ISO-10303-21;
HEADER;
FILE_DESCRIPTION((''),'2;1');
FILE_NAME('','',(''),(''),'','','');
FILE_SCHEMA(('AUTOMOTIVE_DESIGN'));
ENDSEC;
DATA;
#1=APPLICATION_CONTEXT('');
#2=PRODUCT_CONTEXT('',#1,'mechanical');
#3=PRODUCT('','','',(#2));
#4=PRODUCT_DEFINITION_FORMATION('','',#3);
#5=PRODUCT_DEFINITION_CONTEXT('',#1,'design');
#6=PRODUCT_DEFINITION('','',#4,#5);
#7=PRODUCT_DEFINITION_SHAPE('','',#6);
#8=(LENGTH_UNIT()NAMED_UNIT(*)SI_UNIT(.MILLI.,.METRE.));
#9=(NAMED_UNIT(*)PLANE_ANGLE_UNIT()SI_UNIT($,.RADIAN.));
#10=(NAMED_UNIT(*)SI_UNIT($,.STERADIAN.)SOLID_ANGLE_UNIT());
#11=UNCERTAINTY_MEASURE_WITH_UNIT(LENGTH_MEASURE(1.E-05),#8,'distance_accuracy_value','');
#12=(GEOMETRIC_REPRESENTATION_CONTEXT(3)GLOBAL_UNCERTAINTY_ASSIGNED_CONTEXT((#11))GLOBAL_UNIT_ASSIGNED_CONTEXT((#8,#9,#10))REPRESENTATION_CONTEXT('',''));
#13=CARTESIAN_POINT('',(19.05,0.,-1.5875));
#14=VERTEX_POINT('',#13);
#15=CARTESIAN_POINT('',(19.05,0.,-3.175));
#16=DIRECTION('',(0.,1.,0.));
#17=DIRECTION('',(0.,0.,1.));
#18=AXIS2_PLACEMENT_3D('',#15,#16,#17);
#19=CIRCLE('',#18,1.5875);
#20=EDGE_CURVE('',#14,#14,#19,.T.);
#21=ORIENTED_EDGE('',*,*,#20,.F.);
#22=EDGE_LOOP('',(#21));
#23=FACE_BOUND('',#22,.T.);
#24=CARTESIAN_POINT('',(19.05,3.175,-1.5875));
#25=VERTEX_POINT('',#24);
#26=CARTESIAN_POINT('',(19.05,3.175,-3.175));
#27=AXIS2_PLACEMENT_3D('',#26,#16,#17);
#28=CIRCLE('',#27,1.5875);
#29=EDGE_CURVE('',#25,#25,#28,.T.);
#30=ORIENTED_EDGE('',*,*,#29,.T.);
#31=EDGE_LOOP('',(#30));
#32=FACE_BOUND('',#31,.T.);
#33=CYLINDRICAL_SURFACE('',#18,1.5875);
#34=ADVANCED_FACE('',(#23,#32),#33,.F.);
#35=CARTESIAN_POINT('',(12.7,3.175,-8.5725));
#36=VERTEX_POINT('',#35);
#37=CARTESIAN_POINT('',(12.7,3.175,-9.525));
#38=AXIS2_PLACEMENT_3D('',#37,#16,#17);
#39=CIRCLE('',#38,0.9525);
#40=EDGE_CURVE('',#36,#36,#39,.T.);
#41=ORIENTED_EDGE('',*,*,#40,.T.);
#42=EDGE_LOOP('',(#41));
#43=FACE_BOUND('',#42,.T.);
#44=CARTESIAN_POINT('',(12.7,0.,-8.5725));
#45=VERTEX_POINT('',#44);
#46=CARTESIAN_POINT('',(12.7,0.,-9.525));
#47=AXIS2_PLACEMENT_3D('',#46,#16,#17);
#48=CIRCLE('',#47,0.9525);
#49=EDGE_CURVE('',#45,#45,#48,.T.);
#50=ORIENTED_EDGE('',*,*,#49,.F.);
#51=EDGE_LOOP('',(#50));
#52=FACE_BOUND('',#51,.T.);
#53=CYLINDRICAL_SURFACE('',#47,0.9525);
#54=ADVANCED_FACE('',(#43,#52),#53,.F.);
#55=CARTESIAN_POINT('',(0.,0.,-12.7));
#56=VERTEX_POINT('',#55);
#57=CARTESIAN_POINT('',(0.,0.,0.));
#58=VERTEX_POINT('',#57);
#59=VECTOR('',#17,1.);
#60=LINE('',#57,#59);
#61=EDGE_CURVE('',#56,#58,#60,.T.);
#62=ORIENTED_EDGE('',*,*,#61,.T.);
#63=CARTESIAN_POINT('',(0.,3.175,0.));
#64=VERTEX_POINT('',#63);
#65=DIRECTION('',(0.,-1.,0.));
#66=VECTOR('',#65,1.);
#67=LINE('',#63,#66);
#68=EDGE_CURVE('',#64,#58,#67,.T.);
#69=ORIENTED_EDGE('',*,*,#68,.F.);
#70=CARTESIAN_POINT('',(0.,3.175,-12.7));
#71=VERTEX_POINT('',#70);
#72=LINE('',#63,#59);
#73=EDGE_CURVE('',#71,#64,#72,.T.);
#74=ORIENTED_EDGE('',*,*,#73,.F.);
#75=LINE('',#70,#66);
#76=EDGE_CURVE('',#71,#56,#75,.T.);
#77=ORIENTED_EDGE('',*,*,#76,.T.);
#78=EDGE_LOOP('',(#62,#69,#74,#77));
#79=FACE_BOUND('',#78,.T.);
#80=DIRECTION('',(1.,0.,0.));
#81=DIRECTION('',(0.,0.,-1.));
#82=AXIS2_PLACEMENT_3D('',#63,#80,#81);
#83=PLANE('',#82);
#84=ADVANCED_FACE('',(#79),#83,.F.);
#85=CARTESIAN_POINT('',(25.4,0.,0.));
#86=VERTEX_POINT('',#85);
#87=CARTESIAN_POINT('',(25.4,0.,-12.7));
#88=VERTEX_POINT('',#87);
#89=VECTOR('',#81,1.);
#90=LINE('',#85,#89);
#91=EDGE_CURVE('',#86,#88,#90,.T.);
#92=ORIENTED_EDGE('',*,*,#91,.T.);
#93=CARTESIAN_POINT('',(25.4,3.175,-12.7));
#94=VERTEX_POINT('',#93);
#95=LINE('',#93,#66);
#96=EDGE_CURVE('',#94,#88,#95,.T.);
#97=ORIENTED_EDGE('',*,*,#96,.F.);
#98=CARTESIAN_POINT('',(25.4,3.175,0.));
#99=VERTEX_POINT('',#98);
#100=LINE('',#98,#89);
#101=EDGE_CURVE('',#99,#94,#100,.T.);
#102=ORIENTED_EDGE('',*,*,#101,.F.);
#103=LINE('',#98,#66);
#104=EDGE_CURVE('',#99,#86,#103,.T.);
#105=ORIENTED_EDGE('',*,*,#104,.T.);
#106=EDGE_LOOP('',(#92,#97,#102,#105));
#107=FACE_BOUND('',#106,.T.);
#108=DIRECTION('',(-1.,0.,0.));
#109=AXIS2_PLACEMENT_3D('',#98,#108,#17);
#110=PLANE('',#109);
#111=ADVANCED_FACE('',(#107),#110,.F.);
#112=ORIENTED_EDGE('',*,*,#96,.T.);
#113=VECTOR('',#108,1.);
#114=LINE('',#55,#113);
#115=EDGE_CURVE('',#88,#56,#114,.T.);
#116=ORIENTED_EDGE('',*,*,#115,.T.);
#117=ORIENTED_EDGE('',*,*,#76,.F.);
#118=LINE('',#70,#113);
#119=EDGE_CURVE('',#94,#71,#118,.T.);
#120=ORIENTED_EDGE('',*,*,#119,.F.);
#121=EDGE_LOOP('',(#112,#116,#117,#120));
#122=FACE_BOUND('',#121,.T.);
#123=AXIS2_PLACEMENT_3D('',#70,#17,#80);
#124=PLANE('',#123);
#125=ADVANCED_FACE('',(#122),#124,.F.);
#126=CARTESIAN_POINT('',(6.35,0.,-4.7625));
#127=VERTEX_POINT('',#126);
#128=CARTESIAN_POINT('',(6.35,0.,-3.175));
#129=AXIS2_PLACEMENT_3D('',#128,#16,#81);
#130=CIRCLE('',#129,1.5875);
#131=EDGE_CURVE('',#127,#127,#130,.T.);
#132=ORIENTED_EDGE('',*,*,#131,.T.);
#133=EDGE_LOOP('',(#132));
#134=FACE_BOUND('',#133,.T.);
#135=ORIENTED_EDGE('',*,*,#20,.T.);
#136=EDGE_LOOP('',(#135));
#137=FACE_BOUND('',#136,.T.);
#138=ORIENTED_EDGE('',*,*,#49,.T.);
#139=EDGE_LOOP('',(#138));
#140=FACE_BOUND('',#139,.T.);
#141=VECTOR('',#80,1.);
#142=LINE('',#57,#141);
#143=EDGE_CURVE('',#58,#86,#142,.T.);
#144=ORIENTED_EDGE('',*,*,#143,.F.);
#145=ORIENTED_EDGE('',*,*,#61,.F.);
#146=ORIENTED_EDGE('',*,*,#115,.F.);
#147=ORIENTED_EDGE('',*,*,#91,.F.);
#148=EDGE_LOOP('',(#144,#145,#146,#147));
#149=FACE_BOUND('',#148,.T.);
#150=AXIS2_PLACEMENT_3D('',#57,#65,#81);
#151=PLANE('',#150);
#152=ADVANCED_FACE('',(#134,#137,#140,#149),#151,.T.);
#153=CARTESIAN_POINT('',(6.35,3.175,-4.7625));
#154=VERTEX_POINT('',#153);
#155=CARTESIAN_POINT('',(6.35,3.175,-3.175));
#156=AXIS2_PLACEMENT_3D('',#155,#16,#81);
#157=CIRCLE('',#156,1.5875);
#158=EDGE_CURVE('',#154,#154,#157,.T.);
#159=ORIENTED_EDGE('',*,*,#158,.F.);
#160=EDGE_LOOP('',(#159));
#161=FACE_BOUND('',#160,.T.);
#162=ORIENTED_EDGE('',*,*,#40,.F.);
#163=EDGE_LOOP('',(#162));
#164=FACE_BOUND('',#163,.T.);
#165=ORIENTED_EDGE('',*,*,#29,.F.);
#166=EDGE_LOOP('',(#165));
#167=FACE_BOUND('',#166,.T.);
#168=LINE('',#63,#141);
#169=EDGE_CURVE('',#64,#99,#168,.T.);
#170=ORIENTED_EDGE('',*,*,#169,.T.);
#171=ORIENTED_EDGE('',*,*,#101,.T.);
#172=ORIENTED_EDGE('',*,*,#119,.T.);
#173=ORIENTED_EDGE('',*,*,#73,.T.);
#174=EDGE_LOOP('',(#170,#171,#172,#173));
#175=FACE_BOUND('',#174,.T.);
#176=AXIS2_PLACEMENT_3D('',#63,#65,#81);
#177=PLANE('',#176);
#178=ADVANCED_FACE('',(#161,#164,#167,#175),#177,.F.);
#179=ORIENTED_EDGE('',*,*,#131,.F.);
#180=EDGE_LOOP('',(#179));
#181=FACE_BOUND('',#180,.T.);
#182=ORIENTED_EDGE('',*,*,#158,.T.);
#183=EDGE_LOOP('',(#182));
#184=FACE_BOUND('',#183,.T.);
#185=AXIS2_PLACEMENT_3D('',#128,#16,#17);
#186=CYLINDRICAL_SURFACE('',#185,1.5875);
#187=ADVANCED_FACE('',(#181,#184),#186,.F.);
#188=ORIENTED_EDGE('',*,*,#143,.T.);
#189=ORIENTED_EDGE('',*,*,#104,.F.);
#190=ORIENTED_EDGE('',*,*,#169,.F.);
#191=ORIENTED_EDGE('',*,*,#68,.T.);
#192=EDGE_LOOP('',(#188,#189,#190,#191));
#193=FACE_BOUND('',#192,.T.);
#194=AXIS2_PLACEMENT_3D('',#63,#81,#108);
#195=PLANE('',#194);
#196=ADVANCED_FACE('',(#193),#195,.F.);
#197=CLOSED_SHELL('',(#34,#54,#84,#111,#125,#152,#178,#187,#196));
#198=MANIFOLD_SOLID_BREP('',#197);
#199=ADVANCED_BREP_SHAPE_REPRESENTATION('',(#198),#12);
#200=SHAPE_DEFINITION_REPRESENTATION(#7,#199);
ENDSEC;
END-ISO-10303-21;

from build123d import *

# Parameters (mm, degrees)
SKETCH1_W           = 25.4
SKETCH1_H           = 12.7
BOSS_EXTRUDE1_DEPTH = 3.175
SKETCH2_R           = 1.5875
SKETCH2_R_2         = 0.9525
CUT_EXTRUDE1_DEPTH  = 29.575


with BuildPart() as part:
    # Sketch1 → Boss-Extrude1 (new body)
    with BuildSketch(Plane(origin=(0, 0, 0), x_dir=(1, 0, 0), z_dir=(0, 1, 0))):
        with Locations((12.7, 6.35)):
            Rectangle(SKETCH1_W, SKETCH1_H)
    extrude(amount=BOSS_EXTRUDE1_DEPTH)

    # Sketch2 → Cut-Extrude1 (cut, through all)
    with BuildSketch(Plane(origin=(0, 3.175, 0), x_dir=(1, 0, 0), z_dir=(0, 1, 0))):
        with Locations(Location((19.05, 3.175, 0), (0, 0, 270))):
            Circle(SKETCH2_R)
        with Locations(Location((6.35, 3.175, 0), (0, 0, 90))):
            Circle(SKETCH2_R)
        with Locations(Location((12.7, 9.525, 0), (0, 0, 270))):
            Circle(SKETCH2_R_2)
    extrude(amount=-CUT_EXTRUDE1_DEPTH, mode=Mode.SUBTRACT)


solid = part.part
